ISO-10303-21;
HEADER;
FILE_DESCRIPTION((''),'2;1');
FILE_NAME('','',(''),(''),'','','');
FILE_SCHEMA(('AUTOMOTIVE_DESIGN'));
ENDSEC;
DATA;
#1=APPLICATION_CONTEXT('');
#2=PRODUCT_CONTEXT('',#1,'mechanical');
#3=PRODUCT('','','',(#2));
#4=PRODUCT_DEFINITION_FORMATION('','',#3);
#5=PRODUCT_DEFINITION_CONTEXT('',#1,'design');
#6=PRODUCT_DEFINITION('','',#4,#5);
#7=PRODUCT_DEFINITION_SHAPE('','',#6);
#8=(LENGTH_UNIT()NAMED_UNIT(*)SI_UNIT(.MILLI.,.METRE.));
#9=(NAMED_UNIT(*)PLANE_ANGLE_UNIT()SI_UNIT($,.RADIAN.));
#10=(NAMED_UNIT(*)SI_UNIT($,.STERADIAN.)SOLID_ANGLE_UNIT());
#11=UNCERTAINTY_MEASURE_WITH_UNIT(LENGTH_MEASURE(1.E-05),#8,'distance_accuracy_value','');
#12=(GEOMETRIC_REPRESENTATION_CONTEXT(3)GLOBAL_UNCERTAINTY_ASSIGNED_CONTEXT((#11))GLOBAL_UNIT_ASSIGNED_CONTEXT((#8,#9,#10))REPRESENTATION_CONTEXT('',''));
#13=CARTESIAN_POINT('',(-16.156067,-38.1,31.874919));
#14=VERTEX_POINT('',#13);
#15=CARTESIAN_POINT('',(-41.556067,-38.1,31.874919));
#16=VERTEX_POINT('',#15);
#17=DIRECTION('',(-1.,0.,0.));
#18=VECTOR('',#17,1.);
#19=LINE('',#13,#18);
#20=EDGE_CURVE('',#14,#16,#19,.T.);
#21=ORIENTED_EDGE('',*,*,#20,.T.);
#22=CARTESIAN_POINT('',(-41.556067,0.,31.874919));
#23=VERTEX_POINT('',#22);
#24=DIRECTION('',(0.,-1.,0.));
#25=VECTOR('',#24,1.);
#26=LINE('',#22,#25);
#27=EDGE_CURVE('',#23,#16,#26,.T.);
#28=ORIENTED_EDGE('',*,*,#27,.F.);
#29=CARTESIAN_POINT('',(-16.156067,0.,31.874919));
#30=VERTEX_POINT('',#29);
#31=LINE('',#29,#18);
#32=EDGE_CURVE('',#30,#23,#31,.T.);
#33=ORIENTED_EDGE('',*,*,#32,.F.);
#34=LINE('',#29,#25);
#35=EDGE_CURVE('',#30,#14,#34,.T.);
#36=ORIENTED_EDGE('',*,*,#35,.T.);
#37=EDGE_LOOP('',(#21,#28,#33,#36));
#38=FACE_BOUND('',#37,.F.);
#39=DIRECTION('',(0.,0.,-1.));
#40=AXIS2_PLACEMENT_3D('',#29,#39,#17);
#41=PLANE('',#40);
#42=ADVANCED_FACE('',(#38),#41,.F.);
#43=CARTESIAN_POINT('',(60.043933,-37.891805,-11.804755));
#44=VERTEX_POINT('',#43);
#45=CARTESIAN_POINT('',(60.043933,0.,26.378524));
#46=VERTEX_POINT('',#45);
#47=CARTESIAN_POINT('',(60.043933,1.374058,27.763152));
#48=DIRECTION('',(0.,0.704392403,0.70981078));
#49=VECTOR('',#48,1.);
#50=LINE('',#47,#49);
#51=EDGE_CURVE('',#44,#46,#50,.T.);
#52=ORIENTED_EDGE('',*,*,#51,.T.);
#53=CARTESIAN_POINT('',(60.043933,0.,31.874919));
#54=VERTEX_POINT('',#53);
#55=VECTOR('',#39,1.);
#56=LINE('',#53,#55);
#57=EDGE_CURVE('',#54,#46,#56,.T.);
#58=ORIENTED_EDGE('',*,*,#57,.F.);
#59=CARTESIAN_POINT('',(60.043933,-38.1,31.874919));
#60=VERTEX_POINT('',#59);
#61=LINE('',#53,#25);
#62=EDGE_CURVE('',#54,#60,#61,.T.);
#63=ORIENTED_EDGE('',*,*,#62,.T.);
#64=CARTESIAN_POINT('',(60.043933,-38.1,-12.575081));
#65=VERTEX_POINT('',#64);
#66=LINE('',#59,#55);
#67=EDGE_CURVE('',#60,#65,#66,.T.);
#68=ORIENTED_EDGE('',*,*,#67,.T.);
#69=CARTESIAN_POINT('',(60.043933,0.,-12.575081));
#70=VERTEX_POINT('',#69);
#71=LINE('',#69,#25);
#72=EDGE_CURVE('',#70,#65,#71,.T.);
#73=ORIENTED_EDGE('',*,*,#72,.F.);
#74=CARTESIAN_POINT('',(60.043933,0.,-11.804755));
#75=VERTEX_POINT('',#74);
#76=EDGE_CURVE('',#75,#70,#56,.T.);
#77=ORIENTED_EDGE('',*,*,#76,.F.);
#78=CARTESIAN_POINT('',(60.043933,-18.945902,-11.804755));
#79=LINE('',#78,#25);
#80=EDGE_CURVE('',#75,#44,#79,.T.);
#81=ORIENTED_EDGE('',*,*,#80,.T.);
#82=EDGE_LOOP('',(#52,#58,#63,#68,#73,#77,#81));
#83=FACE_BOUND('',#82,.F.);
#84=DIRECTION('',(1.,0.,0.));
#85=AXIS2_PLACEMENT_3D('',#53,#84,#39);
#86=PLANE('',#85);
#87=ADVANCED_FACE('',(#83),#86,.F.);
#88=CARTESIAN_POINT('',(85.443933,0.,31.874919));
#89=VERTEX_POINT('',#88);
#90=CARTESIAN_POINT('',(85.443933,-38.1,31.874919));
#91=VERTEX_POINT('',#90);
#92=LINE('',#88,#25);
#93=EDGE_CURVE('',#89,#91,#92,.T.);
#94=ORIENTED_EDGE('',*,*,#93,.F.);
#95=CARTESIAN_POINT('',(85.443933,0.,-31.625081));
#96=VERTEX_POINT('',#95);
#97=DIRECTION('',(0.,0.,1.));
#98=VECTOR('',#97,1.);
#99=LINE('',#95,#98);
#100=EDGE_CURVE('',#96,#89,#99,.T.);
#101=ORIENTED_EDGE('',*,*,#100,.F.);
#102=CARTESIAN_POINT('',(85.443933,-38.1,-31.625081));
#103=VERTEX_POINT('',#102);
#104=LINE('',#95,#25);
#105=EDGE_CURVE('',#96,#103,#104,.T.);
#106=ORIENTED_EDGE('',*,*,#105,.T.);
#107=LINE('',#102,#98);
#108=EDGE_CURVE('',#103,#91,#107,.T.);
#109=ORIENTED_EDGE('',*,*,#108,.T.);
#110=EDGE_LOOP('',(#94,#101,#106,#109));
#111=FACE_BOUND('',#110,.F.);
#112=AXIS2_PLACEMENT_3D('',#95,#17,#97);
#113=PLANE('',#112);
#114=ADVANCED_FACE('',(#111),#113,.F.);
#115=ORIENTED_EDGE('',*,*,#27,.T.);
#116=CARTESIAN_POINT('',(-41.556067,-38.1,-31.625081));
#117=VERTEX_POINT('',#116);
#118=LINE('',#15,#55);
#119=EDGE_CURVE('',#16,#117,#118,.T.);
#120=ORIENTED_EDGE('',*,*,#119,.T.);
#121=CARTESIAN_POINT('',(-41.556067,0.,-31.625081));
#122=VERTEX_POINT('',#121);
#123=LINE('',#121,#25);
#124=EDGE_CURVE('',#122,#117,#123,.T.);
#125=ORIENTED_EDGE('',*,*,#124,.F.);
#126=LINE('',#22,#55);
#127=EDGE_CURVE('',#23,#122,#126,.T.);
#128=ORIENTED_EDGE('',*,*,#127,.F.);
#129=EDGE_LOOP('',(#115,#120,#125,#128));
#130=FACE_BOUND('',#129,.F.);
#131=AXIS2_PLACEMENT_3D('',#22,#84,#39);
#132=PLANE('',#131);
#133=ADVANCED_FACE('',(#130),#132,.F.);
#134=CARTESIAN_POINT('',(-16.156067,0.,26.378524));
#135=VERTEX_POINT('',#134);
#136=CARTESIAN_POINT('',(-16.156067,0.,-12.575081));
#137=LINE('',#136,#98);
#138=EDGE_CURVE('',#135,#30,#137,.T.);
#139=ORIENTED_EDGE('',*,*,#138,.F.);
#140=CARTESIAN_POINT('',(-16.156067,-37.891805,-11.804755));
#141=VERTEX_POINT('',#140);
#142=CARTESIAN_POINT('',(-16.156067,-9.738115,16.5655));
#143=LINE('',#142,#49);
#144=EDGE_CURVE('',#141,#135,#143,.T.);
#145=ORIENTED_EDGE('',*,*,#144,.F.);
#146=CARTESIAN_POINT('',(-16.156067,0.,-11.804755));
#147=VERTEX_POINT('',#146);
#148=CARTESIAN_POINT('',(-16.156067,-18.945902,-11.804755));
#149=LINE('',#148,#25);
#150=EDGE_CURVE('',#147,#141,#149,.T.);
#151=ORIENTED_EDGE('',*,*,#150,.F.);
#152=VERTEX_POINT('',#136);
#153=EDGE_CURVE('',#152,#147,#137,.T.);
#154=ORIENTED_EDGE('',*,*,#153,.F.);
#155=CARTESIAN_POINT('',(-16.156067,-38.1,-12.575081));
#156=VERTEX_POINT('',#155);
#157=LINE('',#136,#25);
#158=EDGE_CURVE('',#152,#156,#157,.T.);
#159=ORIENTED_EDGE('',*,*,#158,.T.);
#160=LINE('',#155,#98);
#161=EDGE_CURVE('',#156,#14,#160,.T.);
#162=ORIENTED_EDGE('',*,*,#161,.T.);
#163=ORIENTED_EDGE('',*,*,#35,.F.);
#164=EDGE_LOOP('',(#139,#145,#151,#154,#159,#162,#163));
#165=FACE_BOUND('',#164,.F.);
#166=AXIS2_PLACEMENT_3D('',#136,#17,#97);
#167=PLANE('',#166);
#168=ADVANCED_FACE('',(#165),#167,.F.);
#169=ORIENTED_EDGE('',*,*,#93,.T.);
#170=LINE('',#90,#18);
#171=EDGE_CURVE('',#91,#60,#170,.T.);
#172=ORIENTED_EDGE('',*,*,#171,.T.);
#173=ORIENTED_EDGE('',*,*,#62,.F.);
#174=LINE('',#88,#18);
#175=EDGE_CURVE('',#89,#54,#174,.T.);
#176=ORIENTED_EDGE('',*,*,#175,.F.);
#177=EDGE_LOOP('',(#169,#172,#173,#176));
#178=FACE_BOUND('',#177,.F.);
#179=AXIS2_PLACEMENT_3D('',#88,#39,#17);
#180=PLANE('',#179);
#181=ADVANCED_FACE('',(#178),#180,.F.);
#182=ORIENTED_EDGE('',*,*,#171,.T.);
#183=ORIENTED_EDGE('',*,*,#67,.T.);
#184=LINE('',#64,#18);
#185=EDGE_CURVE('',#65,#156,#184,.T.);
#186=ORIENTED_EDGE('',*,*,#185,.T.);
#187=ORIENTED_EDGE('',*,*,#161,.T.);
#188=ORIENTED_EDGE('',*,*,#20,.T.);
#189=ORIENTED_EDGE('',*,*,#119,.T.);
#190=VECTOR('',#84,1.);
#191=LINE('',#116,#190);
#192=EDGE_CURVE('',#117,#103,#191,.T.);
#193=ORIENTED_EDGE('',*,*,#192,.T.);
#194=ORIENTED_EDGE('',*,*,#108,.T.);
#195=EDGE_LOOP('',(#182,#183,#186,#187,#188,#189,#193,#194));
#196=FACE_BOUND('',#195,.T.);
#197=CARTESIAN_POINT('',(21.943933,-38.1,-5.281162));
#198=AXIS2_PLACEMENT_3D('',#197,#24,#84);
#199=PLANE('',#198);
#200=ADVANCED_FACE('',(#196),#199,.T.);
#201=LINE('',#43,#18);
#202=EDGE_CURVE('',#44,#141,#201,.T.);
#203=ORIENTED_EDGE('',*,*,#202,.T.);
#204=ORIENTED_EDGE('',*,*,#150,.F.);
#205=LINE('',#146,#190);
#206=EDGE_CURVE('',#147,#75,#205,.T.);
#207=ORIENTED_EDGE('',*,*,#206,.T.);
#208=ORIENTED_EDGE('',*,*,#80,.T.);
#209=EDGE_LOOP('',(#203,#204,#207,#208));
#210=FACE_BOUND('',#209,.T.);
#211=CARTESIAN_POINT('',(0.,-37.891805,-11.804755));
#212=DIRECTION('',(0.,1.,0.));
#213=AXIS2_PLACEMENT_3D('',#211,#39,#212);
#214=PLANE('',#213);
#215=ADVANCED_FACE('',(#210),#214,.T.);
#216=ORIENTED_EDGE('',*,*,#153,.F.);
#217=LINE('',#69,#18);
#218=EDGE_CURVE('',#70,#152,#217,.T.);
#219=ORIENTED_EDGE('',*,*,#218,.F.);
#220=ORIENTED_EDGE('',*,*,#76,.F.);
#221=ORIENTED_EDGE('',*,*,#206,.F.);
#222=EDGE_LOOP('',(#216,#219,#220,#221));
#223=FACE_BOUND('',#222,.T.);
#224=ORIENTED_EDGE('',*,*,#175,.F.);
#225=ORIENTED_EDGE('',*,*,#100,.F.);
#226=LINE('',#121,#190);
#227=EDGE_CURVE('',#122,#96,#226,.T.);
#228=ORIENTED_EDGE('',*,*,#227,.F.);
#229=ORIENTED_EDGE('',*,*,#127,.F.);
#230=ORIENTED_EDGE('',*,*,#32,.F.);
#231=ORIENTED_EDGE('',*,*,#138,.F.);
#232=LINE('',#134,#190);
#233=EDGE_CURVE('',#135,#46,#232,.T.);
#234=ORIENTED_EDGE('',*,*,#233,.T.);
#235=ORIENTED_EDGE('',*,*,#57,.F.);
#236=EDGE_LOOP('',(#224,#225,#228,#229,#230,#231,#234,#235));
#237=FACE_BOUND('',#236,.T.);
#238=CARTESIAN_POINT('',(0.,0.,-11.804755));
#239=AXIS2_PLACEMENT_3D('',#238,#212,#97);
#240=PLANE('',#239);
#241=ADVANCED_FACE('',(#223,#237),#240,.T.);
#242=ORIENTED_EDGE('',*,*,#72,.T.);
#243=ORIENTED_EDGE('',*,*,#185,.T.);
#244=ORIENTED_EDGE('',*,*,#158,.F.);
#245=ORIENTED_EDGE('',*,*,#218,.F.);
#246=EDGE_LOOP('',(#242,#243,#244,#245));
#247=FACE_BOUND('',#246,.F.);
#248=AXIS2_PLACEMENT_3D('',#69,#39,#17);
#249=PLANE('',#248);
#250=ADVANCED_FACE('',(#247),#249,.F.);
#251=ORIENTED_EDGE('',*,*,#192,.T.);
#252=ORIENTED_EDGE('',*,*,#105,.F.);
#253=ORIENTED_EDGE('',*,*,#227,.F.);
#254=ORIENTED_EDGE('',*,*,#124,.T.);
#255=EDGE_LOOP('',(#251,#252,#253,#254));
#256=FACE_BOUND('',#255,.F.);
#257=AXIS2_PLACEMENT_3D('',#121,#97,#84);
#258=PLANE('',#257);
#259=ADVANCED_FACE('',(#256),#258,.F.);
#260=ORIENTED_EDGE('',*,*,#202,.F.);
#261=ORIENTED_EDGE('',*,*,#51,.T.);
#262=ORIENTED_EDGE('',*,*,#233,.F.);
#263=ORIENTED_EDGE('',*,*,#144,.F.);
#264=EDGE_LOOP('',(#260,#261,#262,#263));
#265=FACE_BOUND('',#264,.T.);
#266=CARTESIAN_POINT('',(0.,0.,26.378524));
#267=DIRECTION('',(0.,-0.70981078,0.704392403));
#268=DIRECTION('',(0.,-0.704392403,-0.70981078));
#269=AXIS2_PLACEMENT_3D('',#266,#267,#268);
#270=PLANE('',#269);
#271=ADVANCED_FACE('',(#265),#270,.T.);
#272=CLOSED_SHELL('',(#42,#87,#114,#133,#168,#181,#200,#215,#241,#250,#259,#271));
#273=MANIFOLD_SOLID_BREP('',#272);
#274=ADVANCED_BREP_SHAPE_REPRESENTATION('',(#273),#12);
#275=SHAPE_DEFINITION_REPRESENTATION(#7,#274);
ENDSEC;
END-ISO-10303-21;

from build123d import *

# Parameters (mm, degrees)
F1_DEPTH      = 38.1
F3_DEPTH      = 76.2
F3_DEPTH_BACK = 25.4


with BuildPart() as f1:
    # F0 (on Front) → F1 (new body)
    with BuildSketch(Plane.XZ):
        Polygon((-16.156067, 31.874919), (-41.556067, 31.874919), (-41.556067, -31.625081), (85.443933, -31.625081), (85.443933, 31.874919), (60.043933, 31.874919), (60.043933, -12.575081), (-16.156067, -12.575081), align=None)
    extrude(amount=F1_DEPTH)

    # F2 (on Right) → F3 (join, two sides)
    with BuildSketch(Plane.YZ) as f3_sk:
        Polygon((-37.891805, -11.804755), (0, -11.804755), (0, 26.378524), align=None)
    extrude(amount=F3_DEPTH)
    extrude(f3_sk.sketch, amount=-F3_DEPTH_BACK)


solid = f1.part
